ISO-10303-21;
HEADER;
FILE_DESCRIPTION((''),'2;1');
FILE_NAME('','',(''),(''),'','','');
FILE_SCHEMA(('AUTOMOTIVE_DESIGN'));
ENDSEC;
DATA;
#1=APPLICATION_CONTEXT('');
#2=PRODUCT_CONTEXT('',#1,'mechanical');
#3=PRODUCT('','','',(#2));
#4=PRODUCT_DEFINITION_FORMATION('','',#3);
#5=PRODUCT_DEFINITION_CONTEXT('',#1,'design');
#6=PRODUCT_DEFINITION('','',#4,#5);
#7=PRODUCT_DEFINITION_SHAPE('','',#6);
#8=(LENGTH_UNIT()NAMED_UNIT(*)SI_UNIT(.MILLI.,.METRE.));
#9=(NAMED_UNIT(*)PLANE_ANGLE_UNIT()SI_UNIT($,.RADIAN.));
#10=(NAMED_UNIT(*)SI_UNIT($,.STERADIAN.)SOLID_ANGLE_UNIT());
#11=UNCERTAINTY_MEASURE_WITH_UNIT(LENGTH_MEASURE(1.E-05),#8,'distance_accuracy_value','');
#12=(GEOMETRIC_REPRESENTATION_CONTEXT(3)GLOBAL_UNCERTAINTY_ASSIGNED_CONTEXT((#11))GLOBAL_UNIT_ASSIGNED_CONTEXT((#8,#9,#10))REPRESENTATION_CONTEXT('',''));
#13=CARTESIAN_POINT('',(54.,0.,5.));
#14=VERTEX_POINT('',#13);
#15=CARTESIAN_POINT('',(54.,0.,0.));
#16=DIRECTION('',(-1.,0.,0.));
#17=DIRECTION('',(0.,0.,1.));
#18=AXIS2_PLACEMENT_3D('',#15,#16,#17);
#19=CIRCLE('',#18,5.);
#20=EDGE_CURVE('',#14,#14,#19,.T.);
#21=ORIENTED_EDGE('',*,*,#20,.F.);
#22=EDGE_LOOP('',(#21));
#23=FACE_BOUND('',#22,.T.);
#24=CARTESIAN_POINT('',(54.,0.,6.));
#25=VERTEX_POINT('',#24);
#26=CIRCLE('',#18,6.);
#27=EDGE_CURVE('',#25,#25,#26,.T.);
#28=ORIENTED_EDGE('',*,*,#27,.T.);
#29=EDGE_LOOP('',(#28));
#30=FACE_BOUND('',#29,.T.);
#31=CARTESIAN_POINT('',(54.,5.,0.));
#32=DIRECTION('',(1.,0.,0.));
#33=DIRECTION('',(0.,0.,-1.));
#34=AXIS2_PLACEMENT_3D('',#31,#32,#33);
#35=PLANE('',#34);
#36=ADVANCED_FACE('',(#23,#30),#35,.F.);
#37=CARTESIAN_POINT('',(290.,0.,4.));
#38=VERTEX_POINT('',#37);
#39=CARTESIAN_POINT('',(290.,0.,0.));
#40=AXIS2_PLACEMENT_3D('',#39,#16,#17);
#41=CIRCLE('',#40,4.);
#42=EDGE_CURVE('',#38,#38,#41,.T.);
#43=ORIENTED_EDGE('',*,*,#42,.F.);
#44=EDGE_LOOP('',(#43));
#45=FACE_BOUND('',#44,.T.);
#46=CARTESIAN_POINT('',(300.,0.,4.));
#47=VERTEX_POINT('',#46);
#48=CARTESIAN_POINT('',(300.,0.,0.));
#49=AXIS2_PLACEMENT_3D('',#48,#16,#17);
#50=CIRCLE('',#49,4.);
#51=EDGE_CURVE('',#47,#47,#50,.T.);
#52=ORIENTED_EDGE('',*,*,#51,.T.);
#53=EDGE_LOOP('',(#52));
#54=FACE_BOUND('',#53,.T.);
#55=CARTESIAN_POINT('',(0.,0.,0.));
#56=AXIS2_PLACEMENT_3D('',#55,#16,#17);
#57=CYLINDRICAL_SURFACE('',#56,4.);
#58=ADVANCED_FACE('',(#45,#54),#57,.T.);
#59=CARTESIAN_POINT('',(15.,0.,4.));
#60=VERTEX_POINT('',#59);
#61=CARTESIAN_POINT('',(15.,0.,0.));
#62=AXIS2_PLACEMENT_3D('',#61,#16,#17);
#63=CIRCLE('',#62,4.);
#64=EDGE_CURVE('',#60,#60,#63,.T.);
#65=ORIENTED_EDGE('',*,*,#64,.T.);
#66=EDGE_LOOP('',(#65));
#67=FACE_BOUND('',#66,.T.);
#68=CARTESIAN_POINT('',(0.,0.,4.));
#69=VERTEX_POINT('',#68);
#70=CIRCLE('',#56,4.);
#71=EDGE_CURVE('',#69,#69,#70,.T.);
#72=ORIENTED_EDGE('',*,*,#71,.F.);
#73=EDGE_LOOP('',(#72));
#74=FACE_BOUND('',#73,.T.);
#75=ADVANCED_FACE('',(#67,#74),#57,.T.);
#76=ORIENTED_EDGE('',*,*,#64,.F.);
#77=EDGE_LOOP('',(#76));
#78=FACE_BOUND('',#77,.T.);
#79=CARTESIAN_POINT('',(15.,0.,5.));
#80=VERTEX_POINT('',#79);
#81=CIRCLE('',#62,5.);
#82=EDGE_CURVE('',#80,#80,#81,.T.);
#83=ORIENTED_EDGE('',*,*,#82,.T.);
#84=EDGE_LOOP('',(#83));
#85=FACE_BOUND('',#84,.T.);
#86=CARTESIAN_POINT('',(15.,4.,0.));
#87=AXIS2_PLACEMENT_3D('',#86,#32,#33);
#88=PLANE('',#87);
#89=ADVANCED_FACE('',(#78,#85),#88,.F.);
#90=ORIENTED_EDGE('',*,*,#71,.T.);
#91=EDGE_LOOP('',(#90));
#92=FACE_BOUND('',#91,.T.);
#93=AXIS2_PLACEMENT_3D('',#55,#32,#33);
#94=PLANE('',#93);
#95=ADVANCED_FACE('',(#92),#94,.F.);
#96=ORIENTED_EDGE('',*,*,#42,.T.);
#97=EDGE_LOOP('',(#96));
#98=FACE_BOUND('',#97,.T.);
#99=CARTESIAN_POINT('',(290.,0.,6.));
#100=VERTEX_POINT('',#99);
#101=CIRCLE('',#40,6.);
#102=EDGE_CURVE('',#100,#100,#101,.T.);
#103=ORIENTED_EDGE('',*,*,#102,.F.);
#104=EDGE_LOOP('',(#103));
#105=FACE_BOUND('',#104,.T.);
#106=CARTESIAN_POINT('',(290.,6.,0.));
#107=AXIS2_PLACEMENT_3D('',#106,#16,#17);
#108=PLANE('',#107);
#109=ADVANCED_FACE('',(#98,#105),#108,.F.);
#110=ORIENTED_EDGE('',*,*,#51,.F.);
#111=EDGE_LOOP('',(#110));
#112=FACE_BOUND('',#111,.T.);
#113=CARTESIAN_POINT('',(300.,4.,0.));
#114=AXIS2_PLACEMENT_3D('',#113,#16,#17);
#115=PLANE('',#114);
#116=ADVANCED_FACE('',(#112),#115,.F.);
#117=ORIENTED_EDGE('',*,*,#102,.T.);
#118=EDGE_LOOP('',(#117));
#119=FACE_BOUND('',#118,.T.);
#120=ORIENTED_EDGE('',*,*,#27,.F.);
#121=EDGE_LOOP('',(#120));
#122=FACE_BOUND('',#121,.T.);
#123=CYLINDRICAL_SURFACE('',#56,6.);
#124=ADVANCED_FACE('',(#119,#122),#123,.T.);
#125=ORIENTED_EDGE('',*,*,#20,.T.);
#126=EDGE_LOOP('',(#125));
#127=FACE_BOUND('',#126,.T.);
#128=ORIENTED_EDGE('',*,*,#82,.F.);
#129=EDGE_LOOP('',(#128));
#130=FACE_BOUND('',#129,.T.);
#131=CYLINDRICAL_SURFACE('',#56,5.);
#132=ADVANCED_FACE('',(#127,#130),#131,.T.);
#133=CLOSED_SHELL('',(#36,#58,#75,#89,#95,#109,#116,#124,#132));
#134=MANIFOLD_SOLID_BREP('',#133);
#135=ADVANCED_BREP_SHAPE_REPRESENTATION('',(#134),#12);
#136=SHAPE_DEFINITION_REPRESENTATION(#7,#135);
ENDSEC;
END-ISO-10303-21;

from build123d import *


with BuildPart() as part:
    # 草图1 → 旋转1 (revolve)
    with BuildSketch(Plane.XY):
        Polygon((0, 0), (0, 4), (15, 4), (15, 5), (54, 5), (54, 6), (290, 6), (290, 4), (300, 4), (300, 0), align=None)
    revolve(axis=Axis((0, 0, 0), (1, 0, 0)))


solid = part.part
